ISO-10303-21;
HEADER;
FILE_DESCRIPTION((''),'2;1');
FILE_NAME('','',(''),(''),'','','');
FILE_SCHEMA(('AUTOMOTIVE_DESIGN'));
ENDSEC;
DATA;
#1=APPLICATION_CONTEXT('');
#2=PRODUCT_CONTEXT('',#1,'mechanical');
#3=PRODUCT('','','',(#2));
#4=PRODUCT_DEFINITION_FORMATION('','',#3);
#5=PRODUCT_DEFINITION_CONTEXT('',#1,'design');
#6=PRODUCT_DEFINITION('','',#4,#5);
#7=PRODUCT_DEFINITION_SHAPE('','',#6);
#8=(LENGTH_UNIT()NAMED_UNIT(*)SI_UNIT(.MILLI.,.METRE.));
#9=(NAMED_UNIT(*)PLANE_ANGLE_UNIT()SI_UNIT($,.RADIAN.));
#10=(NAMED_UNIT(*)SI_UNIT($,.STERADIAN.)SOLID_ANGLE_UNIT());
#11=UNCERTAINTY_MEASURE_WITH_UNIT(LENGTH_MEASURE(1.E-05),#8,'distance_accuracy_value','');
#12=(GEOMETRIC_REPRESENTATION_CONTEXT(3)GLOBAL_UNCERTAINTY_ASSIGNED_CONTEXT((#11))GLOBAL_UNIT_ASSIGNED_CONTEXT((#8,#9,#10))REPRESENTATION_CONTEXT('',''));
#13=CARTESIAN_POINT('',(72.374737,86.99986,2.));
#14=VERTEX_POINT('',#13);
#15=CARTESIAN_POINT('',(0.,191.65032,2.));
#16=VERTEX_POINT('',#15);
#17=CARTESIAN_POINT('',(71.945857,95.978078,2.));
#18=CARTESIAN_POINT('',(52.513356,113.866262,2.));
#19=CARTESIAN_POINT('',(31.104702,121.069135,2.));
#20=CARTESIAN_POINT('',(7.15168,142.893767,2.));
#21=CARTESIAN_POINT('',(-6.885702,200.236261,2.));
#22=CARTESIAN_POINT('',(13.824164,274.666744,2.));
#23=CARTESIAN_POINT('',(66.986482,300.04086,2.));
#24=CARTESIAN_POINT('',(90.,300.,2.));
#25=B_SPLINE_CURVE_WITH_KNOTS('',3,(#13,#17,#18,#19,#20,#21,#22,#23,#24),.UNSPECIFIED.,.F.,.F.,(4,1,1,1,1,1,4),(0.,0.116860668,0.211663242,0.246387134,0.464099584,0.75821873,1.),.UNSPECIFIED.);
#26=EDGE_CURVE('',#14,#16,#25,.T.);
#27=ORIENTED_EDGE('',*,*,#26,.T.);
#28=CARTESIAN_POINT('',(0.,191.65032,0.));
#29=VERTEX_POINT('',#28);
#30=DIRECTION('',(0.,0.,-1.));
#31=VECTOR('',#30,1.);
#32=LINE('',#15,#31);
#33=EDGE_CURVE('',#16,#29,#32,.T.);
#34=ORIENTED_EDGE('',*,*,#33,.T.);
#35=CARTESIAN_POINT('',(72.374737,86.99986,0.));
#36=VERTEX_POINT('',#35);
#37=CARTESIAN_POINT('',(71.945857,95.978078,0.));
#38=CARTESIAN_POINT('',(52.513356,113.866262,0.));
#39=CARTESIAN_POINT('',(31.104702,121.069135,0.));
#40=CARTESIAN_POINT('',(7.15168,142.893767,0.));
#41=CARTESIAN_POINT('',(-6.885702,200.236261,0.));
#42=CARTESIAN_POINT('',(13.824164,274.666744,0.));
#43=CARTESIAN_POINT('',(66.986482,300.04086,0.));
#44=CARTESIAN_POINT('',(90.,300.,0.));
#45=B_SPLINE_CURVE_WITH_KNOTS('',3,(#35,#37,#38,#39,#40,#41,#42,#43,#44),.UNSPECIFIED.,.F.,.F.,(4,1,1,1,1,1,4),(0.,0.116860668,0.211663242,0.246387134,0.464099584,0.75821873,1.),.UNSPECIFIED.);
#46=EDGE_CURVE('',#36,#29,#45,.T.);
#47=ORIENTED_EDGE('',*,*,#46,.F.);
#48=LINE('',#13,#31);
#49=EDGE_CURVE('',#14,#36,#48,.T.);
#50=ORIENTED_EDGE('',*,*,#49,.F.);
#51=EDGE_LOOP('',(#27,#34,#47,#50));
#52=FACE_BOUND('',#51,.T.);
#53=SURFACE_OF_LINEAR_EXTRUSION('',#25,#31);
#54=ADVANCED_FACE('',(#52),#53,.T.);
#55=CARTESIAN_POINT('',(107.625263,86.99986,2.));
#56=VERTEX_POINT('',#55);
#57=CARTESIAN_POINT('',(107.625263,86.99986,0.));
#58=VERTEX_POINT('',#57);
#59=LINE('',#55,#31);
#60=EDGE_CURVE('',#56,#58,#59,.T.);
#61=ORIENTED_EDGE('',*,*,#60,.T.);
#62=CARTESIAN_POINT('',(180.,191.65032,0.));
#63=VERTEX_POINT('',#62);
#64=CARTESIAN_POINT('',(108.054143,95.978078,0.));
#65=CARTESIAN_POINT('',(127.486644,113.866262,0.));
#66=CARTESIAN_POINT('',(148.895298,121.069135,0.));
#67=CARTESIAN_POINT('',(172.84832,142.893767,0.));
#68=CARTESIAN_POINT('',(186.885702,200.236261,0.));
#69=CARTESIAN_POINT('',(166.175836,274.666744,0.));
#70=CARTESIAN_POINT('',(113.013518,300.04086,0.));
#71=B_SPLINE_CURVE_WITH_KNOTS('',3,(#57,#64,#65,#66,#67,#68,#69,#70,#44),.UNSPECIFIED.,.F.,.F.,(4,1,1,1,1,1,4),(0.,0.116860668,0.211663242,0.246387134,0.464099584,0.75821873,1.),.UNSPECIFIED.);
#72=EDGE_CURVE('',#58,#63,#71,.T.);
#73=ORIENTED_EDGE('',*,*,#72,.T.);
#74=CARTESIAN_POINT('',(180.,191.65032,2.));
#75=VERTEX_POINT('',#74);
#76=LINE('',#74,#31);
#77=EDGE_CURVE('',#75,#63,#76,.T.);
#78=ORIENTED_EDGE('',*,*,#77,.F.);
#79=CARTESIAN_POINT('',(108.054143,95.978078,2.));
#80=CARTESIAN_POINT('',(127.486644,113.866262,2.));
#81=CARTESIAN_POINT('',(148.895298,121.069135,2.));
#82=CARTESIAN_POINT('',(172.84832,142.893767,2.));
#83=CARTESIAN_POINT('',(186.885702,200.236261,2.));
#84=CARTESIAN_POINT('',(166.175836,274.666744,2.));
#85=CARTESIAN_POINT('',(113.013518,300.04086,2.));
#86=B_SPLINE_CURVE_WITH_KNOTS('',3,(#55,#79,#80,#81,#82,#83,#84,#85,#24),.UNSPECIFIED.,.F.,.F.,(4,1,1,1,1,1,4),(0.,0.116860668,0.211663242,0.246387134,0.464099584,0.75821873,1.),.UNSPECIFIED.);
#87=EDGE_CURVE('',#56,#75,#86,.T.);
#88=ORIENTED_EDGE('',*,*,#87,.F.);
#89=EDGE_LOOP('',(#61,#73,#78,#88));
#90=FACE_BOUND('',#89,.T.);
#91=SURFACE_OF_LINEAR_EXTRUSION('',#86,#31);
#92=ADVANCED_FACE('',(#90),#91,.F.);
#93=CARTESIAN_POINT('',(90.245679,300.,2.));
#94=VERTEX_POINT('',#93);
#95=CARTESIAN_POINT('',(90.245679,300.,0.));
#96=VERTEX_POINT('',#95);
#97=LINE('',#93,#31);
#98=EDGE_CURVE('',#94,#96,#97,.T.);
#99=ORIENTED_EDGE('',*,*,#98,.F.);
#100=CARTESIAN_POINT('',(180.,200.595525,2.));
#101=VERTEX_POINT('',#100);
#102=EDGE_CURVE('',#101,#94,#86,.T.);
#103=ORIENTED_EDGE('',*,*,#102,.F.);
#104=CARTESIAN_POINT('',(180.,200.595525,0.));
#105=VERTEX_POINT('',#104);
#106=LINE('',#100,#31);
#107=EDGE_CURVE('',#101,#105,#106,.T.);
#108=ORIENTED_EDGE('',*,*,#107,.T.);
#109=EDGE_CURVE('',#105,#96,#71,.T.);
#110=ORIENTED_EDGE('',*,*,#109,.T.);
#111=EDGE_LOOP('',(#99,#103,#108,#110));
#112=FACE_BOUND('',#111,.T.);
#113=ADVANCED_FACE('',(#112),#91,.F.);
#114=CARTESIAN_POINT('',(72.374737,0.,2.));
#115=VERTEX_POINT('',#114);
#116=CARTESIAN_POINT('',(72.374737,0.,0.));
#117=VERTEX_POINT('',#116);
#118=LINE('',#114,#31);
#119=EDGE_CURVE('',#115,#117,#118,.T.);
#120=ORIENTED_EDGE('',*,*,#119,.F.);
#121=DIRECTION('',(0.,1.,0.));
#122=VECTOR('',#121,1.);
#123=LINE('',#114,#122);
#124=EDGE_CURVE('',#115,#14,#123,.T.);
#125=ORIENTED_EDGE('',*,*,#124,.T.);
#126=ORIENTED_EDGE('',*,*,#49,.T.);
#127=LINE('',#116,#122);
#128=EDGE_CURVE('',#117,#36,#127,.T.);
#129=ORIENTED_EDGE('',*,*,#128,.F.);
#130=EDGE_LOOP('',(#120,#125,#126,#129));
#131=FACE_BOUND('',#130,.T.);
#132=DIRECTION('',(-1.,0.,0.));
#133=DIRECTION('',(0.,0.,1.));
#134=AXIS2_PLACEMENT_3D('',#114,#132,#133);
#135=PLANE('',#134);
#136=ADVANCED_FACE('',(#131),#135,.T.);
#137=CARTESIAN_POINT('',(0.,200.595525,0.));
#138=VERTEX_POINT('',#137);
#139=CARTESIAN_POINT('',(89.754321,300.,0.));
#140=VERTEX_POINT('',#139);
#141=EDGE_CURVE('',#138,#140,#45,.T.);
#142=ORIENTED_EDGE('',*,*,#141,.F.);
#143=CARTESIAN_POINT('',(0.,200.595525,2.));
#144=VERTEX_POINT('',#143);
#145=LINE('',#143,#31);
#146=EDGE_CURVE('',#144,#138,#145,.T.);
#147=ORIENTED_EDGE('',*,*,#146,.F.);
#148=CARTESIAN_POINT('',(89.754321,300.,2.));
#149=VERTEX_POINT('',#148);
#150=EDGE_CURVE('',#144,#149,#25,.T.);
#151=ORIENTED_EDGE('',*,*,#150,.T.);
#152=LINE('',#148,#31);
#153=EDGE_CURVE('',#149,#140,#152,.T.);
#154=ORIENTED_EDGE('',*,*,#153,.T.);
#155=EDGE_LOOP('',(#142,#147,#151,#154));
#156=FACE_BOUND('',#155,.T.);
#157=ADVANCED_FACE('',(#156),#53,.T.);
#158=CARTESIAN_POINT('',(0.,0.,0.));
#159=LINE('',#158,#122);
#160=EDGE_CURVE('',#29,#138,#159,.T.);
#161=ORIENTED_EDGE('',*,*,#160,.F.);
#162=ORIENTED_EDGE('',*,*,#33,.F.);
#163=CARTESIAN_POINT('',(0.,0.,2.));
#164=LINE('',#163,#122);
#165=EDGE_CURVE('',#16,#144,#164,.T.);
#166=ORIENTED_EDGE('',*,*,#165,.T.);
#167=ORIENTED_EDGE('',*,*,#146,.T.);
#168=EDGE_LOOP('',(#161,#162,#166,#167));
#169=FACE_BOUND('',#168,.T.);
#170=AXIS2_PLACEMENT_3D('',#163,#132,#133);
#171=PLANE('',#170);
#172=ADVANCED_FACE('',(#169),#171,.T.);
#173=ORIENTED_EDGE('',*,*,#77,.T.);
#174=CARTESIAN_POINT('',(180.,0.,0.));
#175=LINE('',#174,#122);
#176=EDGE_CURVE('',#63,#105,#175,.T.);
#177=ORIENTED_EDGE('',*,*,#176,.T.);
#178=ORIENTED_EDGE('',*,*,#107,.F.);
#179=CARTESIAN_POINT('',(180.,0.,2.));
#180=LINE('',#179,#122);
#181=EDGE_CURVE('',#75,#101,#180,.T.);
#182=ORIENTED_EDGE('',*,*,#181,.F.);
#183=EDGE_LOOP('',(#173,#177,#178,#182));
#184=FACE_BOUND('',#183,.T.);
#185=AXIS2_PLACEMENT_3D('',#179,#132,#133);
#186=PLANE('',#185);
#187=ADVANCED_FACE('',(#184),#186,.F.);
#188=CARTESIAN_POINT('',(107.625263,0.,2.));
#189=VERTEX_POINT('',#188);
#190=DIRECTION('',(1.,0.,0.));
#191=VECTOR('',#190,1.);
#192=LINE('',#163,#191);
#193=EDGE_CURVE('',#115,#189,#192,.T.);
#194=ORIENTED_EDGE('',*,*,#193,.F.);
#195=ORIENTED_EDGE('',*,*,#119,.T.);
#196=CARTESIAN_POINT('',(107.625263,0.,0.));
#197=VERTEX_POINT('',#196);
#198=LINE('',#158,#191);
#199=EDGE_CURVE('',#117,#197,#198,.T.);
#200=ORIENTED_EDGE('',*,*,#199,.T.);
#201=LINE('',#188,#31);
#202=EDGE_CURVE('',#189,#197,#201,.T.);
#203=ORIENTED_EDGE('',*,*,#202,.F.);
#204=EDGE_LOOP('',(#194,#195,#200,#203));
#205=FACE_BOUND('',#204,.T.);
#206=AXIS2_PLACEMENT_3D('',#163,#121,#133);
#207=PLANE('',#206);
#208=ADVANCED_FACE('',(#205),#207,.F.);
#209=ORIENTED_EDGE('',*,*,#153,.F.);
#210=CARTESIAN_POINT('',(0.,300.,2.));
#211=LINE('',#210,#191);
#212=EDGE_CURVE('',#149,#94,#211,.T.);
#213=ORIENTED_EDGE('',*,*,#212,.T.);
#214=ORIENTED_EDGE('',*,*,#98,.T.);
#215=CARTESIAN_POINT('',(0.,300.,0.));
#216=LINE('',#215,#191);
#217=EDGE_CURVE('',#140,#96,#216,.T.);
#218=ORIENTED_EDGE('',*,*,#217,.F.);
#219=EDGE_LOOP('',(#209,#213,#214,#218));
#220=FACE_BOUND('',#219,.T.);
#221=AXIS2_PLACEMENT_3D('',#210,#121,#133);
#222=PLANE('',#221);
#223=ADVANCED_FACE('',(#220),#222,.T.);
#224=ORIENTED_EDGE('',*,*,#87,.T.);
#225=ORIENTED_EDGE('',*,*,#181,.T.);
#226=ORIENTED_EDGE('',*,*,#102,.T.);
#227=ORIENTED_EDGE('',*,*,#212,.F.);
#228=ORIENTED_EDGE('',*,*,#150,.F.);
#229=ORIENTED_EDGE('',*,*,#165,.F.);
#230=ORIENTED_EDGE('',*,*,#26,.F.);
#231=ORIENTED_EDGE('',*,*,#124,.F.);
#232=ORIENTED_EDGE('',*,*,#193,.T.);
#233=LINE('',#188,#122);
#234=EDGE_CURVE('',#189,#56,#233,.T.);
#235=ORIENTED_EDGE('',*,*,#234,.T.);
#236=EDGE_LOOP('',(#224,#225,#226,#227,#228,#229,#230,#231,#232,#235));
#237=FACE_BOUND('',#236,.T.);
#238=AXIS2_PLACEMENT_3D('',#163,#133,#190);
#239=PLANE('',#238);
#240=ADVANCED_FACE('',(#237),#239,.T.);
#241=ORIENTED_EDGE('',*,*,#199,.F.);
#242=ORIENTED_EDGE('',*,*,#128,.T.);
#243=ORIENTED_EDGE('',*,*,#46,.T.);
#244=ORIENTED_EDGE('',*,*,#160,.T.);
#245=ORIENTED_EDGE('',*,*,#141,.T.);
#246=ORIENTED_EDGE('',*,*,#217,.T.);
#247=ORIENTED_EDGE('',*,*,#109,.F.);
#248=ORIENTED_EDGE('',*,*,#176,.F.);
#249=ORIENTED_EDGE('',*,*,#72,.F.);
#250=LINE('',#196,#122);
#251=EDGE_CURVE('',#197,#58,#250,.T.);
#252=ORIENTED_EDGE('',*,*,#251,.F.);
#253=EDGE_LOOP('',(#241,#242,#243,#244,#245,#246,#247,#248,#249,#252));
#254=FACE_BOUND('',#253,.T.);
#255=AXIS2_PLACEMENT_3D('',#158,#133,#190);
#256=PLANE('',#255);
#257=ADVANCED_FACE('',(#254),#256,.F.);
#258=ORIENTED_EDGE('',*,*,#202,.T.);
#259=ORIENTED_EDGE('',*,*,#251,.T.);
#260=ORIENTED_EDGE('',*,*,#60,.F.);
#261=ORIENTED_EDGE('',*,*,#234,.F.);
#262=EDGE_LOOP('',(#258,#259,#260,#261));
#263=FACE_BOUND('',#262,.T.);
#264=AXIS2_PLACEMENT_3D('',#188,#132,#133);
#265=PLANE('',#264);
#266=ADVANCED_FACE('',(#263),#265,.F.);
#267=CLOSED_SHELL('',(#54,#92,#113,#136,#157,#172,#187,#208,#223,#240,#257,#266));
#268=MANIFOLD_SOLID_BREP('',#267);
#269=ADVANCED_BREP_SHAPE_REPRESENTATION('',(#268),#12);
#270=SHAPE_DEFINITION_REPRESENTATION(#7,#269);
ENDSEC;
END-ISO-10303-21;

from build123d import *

# Parameters (mm, degrees)
BOSS_EXTRUDE2_DEPTH = 2


with BuildPart() as part:
    # Sketch1 → Boss-Extrude2 (new body)
    with BuildSketch(Plane.XY):
        with BuildLine():
            Line((72.374737303, 86.999859647), (72.374737303, 0))
            Line((72.374737303, 0), (107.625262697, 0))
            Line((107.625262697, 0), (107.625262697, 86.999859647))
            add(Edge.make_bspline(
                [(107.625262697, 86.999859647), (108.054143272, 95.978078118), (127.486643852, 113.866261667), (148.895297768, 121.069134621), (172.848320314, 142.893766889), (179.3317341, 169.378414193), (180, 191.65032035)],
                knots=[0, 0, 0, 0, 0.116860668, 0.211663242, 0.246387134, 0.464099584, 0.464099584, 0.464099584, 0.464099584], degree=3))
            Line((180, 191.65032035), (180, 200.595525294))
            add(Edge.make_bspline(
                [(180, 200.595525294), (179.179346149, 227.438302674), (163.29910964, 275.970123499), (113.184129082, 299.959310061), (90.245728189, 300)],
                knots=[0.493370629, 0.493370629, 0.493370629, 0.493370629, 0.75821873, 0.999139583, 0.999139583, 0.999139583, 0.999139583], degree=3))
            Line((90.245728189, 300), (90, 300))
            Line((90, 300), (89.754271811, 300))
            add(Edge.make_bspline(
                [(0, 200.595525294), (0.820653851, 227.438302674), (16.70089036, 275.970123499), (66.815870918, 299.959310061), (89.754271811, 300)],
                knots=[0.493370629, 0.493370629, 0.493370629, 0.493370629, 0.75821873, 0.999139583, 0.999139583, 0.999139583, 0.999139583], degree=3))
            Line((0, 200.595525294), (0, 191.65032035))
            add(Edge.make_bspline(
                [(72.374737303, 86.999859647), (71.945856728, 95.978078118), (52.513356148, 113.866261667), (31.104702232, 121.069134621), (7.151679686, 142.893766889), (0.6682659, 169.378414193), (0, 191.65032035)],
                knots=[0, 0, 0, 0, 0.116860668, 0.211663242, 0.246387134, 0.464099584, 0.464099584, 0.464099584, 0.464099584], degree=3))
        make_face()
    extrude(amount=BOSS_EXTRUDE2_DEPTH)


solid = part.part
